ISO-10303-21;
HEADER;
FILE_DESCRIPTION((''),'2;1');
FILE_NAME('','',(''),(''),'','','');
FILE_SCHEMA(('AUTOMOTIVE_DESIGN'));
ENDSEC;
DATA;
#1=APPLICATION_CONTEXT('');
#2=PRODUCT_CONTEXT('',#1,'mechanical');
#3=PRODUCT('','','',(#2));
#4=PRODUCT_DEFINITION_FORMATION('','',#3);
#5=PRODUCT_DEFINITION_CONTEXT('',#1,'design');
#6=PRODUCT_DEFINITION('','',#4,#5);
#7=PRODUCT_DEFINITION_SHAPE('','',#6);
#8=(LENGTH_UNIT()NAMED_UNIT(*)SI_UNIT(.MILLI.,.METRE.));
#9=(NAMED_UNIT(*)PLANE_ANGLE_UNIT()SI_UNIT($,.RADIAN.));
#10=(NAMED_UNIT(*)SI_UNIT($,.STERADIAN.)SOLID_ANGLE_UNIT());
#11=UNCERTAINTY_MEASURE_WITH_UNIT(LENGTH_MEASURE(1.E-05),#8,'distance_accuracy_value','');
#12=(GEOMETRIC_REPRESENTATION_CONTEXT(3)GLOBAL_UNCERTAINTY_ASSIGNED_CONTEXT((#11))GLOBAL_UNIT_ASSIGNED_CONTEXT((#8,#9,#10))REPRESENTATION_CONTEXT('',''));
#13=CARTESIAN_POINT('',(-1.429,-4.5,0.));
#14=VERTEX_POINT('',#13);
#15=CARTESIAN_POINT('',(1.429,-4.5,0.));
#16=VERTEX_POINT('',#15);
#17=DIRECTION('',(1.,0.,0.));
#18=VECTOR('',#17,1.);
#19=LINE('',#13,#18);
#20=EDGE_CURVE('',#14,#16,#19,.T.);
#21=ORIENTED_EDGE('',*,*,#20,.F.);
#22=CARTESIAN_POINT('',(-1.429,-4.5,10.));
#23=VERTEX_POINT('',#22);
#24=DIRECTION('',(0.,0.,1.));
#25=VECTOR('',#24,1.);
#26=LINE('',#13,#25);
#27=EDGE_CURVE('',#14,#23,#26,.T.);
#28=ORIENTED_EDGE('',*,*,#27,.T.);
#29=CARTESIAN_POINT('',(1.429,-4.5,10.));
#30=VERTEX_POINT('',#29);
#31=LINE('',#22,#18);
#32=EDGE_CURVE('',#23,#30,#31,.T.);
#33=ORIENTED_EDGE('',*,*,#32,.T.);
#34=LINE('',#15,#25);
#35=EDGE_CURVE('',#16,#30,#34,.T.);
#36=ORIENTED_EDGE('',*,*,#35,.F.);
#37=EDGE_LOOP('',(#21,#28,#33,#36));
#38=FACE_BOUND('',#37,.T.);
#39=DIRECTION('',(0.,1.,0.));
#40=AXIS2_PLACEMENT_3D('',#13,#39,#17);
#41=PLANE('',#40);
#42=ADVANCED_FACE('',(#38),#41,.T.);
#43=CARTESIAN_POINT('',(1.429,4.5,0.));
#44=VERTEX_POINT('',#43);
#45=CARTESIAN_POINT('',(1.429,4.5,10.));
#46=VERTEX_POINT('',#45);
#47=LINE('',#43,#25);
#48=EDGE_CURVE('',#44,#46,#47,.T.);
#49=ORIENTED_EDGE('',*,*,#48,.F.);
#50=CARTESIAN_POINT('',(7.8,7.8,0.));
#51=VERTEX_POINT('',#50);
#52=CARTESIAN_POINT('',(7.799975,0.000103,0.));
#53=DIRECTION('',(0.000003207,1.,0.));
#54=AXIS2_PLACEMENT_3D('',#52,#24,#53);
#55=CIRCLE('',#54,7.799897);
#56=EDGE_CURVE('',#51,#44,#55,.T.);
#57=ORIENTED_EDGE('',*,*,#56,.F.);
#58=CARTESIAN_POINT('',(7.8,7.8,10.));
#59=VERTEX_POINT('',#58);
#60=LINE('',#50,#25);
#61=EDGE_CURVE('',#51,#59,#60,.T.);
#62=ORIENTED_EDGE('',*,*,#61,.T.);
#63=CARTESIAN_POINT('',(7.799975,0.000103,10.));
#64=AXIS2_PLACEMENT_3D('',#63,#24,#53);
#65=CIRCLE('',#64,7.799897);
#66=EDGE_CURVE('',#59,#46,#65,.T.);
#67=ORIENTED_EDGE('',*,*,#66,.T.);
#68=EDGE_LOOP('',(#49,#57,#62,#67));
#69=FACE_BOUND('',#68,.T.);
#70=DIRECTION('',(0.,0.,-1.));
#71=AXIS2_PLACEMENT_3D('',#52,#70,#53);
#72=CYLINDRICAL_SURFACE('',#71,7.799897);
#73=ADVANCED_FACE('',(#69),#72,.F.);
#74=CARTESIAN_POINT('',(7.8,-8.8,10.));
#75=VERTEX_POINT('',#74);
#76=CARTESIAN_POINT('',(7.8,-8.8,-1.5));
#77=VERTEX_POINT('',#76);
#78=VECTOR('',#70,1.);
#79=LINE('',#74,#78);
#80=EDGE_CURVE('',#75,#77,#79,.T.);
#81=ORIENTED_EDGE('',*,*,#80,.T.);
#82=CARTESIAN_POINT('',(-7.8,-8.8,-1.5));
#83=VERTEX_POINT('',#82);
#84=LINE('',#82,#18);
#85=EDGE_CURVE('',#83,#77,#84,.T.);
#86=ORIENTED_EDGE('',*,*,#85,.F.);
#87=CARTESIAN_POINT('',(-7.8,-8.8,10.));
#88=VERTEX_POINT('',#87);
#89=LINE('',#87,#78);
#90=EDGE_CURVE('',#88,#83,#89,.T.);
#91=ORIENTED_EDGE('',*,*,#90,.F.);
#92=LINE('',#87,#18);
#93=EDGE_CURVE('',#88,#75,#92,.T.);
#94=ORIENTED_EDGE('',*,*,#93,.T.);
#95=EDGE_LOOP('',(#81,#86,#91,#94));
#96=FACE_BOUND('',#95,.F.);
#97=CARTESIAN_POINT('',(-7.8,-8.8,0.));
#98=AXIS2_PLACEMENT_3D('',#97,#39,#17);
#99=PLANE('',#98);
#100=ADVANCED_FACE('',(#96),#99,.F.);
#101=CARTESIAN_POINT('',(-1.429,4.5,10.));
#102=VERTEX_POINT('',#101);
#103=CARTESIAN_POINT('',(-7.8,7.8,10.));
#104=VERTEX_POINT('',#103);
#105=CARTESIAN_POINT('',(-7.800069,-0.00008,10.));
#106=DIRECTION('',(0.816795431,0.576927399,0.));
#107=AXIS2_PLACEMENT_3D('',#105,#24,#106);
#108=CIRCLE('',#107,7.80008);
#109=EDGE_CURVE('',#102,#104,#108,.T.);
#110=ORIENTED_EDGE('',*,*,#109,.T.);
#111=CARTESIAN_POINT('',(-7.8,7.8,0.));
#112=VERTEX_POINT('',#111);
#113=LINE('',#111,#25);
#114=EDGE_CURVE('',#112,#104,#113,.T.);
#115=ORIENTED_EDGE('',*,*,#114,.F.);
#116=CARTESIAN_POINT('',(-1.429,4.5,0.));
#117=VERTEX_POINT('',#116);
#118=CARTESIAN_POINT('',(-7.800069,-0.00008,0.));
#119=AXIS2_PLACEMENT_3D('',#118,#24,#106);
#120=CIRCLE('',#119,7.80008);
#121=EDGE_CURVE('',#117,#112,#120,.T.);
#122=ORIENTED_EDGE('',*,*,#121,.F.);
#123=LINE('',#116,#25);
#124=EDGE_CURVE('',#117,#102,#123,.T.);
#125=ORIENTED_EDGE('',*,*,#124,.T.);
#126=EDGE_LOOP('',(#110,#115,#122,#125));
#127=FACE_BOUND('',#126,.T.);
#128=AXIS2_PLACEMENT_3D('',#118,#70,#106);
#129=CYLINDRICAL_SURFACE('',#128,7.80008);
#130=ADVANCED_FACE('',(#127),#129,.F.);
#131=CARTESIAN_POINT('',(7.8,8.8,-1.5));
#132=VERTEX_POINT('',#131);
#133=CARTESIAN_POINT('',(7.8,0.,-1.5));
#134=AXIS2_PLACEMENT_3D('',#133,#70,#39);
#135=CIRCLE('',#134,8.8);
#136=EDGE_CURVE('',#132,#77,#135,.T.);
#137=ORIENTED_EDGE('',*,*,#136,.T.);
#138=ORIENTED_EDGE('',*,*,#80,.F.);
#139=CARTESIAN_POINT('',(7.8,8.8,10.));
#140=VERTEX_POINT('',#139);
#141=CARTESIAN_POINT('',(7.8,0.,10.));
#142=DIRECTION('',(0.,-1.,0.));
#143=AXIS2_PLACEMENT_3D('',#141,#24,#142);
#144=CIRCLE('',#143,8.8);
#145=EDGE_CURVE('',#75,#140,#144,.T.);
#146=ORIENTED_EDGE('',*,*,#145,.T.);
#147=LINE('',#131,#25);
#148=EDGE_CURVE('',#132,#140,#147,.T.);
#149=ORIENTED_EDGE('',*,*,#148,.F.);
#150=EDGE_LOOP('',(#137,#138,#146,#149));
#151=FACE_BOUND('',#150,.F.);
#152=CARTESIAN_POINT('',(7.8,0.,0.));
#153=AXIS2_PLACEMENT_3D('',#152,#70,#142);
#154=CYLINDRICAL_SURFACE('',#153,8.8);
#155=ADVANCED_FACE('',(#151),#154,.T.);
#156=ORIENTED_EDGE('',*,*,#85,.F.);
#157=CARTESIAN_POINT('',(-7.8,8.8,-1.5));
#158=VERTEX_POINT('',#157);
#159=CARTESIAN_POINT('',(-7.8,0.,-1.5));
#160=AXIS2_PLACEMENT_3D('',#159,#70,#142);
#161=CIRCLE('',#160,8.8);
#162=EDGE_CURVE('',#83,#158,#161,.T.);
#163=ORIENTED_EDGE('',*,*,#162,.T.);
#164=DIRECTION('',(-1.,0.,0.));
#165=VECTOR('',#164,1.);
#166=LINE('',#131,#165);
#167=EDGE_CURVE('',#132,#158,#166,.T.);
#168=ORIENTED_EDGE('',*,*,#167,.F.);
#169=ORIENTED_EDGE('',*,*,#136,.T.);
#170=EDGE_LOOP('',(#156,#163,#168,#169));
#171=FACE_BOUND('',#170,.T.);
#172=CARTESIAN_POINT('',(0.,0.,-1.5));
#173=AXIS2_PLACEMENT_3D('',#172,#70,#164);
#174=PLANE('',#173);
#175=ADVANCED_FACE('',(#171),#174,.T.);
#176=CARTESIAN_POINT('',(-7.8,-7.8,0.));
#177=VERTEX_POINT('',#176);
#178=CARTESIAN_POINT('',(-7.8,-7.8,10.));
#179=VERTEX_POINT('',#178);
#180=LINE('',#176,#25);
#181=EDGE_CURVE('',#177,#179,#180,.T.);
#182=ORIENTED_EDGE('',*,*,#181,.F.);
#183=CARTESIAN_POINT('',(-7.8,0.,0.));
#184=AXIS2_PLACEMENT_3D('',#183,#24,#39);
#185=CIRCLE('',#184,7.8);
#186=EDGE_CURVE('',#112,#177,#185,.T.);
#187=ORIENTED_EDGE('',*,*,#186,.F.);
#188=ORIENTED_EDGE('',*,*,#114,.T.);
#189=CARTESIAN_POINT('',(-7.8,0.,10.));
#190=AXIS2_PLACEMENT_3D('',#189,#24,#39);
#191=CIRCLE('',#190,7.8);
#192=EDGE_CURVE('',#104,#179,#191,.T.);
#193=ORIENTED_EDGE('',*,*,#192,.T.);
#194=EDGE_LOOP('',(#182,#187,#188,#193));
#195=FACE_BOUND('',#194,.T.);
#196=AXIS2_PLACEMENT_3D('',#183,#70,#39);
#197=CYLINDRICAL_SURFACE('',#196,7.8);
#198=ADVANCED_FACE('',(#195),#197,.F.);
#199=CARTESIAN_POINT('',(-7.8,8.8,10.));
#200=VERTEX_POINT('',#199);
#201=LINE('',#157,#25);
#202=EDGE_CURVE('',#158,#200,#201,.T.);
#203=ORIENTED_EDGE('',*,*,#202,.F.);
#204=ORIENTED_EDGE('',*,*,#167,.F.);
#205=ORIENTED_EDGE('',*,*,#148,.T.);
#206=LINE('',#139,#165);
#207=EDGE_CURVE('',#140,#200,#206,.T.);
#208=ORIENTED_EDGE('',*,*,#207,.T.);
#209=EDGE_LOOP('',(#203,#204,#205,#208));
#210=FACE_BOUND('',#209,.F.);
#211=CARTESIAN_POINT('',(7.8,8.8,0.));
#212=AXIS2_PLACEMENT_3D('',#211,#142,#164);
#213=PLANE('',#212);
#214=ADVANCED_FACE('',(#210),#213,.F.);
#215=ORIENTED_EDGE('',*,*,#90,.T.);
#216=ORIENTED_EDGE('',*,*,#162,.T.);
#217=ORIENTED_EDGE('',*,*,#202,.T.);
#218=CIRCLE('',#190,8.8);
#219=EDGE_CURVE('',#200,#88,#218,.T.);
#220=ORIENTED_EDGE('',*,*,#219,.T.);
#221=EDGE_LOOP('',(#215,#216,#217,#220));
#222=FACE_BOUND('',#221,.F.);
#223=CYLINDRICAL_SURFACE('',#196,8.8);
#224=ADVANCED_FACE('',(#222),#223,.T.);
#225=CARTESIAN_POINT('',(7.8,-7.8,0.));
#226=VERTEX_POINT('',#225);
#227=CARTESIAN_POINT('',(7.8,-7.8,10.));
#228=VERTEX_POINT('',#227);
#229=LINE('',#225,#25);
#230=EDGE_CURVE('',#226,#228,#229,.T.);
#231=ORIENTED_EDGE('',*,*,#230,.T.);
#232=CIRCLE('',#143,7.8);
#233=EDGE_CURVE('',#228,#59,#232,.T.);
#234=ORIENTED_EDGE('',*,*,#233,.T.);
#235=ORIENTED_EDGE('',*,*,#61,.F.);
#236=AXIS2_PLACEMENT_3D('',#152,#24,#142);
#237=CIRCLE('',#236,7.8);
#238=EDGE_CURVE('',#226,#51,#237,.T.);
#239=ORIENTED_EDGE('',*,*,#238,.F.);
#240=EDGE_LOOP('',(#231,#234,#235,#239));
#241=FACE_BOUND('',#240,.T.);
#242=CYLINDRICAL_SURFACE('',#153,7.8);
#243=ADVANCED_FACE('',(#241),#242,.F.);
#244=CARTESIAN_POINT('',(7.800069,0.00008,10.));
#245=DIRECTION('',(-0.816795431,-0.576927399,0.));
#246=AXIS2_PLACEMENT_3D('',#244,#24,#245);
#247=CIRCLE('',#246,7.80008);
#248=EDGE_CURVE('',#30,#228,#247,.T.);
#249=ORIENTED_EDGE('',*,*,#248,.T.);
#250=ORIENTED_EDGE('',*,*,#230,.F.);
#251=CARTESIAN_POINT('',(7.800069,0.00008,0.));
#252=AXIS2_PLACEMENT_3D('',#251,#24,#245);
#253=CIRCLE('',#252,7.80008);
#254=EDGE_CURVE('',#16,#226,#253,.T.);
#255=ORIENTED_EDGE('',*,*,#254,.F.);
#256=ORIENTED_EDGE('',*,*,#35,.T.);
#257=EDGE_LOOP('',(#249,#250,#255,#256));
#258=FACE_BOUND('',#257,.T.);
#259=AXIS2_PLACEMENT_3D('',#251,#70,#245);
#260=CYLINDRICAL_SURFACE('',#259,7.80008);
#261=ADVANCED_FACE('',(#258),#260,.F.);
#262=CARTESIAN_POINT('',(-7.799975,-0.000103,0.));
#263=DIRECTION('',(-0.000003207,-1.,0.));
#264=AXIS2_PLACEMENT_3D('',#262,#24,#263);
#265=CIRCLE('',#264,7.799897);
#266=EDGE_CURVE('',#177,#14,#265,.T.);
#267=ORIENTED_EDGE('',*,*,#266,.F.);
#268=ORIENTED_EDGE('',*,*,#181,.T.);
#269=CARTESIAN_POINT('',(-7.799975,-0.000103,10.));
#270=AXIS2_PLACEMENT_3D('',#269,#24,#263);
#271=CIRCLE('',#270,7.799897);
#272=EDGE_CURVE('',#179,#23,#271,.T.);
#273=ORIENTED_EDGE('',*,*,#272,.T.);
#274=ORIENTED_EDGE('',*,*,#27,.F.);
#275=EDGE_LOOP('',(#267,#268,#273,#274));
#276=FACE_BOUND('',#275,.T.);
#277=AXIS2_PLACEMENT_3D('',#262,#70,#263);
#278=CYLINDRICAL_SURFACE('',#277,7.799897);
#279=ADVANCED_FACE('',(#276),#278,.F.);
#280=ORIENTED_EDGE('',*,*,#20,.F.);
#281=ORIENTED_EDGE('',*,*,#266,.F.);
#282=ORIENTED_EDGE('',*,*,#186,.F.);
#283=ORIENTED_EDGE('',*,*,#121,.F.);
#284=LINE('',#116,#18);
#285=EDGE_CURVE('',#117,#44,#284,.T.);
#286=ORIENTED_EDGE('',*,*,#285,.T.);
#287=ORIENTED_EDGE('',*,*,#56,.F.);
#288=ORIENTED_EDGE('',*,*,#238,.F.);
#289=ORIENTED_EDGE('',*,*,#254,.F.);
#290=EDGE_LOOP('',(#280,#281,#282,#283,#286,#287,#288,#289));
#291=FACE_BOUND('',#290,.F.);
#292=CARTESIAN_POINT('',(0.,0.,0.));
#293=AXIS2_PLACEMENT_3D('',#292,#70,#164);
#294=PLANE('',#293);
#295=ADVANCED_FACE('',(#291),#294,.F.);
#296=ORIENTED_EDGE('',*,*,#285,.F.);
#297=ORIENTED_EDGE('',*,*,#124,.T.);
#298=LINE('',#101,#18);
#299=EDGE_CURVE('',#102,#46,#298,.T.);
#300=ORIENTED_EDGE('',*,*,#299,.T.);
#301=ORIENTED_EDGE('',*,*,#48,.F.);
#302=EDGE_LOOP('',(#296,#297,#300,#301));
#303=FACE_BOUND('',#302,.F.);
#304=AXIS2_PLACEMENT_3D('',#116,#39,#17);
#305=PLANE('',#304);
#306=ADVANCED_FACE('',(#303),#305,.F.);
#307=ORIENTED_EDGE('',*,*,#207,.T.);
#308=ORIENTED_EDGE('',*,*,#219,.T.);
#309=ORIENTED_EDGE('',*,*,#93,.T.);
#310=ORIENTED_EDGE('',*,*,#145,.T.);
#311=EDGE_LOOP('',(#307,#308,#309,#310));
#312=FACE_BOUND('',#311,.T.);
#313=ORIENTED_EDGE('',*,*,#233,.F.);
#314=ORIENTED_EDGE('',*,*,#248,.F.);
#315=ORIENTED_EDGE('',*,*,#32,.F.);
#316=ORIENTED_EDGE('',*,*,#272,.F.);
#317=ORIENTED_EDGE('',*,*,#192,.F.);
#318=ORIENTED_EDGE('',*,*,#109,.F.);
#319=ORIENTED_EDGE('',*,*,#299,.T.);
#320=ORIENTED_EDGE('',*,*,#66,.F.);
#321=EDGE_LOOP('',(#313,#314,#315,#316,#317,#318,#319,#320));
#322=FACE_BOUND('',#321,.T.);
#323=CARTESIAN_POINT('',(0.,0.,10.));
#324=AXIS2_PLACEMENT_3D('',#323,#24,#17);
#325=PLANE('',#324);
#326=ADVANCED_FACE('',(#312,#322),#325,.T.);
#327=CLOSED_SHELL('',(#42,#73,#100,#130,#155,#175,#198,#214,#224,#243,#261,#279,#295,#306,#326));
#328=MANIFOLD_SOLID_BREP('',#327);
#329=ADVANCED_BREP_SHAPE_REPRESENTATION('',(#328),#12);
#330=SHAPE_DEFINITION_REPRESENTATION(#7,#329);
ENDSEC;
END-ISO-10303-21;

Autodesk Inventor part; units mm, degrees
ref_plane "YZ Plane" through (0, 0, 0) normal (1, 0, 0) x (0, 1, 0)
ref_plane "XZ Plane" through (0, 0, 0) normal (0, 1, 0) x (-1, 0, 0)
ref_plane "XY Plane" through (0, 0, 0) normal (0, 0, 1) x (1, 0, 0)
sketch "スケッチ1" plane through (0, 0, 0) normal (0, 0, 1) x (1, 0, 0)
  arc A0 (7.8, -7.8) -> (7.8, 7.8) centre (7.8, 0) ccw
  arc A1 (-7.8, 7.8) -> (-7.8, -7.8) centre (-7.8, 0) ccw
  line L0 (-7.8, 7.8) -> (7.8, 7.8)
  line L1 (7.8, -7.8) -> (-7.8, -7.8)
  line L2 (7.8, 8.8) -> (-7.8, 8.8)
  arc A2 (-7.8, 8.8) -> (-7.8, -8.8) centre (-7.8, 0) ccw
  line L3 (-7.8, -8.8) -> (7.8, -8.8)
  arc A3 (7.8, -8.8) -> (7.8, 8.8) centre (7.8, 0) ccw
  point P0 (0, 0)
  dimension "d0" = 15.6
  dimension "d1" = 15.6
  dimension "d2" = 7.8
  dimension "d3" = 1
extrude "押し出し1" add sketch "スケッチ1" along normal blind 10
sketch "スケッチ2" plane through (0, 0, 0) normal (0, 0, -1) x (-1, 0, 0)
  line L0 (-7.8, 7.8) -> (7.8, 7.8) projected
  arc A0 (7.8, -7.8) -> (7.8, 7.8) centre (7.8, 0) ccw projected
  line L1 (7.8, -7.8) -> (-7.8, -7.8) projected
  arc A1 (-7.8, 7.8) -> (-7.8, -7.8) centre (-7.8, 0) ccw projected
  line L2 (-7.8, 8.8) -> (7.8, 8.8) projected
  arc A2 (-7.8, 8.8) -> (-7.8, -8.8) centre (-7.8, 0) ccw projected
  line L3 (7.8, -8.8) -> (-7.8, -8.8) projected
  arc A3 (7.8, -8.8) -> (7.8, 8.8) centre (7.8, 0) ccw projected
  point P0 (0, 0)
extrude "押し出し2" add sketch "スケッチ2" along normal blind 1.5 contours L0 A0 L1 A1 | L2 A3 L3 A2
sketch "スケッチ3" plane through (0, 0, 0) normal (0, 0, 1) x (1, 0, 0)
  arc A0 (-7.8, 7.8) -> (-7.8, -7.8) centre (-7.8, 0) ccw projected
  arc A1 (-7.8, -7.8) -> (-1.429, -4.5) centre (-7.8, 0) ccw
  arc A2 (7.8, -7.8) -> (7.8, 7.8) centre (7.8, 0) ccw projected
  arc A3 (1.429, -4.5) -> (7.8, -7.8) centre (7.8, 0) ccw
  line L0 (-1.429, -4.5) -> (1.429, -4.5)
  line L1 (7.8, -7.8) -> (-7.8, -7.8) projected
  line L2 (-7.8, -7.8) -> (7.8, -7.8)
  arc A4 (-1.429, 4.5) -> (-7.8, 7.8) centre (-7.8, 0) ccw
  arc A5 (7.8, 7.8) -> (1.429, 4.5) centre (7.8, 0) ccw
  line L3 (-1.429, 4.5) -> (1.429, 4.5)
  line L4 (-7.8, 7.8) -> (7.8, 7.8) projected
  line L5 (7.8, 7.8) -> (-7.8, 7.8)
  point P0 (0, 0)
  dimension "d9" = 9
extrude "押し出し3" add sketch "スケッチ3" along normal up to surface (10 mm away) contours L4 A5 L3 A4 | A1 L0 A3 L1
properties part number "CaseBottom_CR123A"
